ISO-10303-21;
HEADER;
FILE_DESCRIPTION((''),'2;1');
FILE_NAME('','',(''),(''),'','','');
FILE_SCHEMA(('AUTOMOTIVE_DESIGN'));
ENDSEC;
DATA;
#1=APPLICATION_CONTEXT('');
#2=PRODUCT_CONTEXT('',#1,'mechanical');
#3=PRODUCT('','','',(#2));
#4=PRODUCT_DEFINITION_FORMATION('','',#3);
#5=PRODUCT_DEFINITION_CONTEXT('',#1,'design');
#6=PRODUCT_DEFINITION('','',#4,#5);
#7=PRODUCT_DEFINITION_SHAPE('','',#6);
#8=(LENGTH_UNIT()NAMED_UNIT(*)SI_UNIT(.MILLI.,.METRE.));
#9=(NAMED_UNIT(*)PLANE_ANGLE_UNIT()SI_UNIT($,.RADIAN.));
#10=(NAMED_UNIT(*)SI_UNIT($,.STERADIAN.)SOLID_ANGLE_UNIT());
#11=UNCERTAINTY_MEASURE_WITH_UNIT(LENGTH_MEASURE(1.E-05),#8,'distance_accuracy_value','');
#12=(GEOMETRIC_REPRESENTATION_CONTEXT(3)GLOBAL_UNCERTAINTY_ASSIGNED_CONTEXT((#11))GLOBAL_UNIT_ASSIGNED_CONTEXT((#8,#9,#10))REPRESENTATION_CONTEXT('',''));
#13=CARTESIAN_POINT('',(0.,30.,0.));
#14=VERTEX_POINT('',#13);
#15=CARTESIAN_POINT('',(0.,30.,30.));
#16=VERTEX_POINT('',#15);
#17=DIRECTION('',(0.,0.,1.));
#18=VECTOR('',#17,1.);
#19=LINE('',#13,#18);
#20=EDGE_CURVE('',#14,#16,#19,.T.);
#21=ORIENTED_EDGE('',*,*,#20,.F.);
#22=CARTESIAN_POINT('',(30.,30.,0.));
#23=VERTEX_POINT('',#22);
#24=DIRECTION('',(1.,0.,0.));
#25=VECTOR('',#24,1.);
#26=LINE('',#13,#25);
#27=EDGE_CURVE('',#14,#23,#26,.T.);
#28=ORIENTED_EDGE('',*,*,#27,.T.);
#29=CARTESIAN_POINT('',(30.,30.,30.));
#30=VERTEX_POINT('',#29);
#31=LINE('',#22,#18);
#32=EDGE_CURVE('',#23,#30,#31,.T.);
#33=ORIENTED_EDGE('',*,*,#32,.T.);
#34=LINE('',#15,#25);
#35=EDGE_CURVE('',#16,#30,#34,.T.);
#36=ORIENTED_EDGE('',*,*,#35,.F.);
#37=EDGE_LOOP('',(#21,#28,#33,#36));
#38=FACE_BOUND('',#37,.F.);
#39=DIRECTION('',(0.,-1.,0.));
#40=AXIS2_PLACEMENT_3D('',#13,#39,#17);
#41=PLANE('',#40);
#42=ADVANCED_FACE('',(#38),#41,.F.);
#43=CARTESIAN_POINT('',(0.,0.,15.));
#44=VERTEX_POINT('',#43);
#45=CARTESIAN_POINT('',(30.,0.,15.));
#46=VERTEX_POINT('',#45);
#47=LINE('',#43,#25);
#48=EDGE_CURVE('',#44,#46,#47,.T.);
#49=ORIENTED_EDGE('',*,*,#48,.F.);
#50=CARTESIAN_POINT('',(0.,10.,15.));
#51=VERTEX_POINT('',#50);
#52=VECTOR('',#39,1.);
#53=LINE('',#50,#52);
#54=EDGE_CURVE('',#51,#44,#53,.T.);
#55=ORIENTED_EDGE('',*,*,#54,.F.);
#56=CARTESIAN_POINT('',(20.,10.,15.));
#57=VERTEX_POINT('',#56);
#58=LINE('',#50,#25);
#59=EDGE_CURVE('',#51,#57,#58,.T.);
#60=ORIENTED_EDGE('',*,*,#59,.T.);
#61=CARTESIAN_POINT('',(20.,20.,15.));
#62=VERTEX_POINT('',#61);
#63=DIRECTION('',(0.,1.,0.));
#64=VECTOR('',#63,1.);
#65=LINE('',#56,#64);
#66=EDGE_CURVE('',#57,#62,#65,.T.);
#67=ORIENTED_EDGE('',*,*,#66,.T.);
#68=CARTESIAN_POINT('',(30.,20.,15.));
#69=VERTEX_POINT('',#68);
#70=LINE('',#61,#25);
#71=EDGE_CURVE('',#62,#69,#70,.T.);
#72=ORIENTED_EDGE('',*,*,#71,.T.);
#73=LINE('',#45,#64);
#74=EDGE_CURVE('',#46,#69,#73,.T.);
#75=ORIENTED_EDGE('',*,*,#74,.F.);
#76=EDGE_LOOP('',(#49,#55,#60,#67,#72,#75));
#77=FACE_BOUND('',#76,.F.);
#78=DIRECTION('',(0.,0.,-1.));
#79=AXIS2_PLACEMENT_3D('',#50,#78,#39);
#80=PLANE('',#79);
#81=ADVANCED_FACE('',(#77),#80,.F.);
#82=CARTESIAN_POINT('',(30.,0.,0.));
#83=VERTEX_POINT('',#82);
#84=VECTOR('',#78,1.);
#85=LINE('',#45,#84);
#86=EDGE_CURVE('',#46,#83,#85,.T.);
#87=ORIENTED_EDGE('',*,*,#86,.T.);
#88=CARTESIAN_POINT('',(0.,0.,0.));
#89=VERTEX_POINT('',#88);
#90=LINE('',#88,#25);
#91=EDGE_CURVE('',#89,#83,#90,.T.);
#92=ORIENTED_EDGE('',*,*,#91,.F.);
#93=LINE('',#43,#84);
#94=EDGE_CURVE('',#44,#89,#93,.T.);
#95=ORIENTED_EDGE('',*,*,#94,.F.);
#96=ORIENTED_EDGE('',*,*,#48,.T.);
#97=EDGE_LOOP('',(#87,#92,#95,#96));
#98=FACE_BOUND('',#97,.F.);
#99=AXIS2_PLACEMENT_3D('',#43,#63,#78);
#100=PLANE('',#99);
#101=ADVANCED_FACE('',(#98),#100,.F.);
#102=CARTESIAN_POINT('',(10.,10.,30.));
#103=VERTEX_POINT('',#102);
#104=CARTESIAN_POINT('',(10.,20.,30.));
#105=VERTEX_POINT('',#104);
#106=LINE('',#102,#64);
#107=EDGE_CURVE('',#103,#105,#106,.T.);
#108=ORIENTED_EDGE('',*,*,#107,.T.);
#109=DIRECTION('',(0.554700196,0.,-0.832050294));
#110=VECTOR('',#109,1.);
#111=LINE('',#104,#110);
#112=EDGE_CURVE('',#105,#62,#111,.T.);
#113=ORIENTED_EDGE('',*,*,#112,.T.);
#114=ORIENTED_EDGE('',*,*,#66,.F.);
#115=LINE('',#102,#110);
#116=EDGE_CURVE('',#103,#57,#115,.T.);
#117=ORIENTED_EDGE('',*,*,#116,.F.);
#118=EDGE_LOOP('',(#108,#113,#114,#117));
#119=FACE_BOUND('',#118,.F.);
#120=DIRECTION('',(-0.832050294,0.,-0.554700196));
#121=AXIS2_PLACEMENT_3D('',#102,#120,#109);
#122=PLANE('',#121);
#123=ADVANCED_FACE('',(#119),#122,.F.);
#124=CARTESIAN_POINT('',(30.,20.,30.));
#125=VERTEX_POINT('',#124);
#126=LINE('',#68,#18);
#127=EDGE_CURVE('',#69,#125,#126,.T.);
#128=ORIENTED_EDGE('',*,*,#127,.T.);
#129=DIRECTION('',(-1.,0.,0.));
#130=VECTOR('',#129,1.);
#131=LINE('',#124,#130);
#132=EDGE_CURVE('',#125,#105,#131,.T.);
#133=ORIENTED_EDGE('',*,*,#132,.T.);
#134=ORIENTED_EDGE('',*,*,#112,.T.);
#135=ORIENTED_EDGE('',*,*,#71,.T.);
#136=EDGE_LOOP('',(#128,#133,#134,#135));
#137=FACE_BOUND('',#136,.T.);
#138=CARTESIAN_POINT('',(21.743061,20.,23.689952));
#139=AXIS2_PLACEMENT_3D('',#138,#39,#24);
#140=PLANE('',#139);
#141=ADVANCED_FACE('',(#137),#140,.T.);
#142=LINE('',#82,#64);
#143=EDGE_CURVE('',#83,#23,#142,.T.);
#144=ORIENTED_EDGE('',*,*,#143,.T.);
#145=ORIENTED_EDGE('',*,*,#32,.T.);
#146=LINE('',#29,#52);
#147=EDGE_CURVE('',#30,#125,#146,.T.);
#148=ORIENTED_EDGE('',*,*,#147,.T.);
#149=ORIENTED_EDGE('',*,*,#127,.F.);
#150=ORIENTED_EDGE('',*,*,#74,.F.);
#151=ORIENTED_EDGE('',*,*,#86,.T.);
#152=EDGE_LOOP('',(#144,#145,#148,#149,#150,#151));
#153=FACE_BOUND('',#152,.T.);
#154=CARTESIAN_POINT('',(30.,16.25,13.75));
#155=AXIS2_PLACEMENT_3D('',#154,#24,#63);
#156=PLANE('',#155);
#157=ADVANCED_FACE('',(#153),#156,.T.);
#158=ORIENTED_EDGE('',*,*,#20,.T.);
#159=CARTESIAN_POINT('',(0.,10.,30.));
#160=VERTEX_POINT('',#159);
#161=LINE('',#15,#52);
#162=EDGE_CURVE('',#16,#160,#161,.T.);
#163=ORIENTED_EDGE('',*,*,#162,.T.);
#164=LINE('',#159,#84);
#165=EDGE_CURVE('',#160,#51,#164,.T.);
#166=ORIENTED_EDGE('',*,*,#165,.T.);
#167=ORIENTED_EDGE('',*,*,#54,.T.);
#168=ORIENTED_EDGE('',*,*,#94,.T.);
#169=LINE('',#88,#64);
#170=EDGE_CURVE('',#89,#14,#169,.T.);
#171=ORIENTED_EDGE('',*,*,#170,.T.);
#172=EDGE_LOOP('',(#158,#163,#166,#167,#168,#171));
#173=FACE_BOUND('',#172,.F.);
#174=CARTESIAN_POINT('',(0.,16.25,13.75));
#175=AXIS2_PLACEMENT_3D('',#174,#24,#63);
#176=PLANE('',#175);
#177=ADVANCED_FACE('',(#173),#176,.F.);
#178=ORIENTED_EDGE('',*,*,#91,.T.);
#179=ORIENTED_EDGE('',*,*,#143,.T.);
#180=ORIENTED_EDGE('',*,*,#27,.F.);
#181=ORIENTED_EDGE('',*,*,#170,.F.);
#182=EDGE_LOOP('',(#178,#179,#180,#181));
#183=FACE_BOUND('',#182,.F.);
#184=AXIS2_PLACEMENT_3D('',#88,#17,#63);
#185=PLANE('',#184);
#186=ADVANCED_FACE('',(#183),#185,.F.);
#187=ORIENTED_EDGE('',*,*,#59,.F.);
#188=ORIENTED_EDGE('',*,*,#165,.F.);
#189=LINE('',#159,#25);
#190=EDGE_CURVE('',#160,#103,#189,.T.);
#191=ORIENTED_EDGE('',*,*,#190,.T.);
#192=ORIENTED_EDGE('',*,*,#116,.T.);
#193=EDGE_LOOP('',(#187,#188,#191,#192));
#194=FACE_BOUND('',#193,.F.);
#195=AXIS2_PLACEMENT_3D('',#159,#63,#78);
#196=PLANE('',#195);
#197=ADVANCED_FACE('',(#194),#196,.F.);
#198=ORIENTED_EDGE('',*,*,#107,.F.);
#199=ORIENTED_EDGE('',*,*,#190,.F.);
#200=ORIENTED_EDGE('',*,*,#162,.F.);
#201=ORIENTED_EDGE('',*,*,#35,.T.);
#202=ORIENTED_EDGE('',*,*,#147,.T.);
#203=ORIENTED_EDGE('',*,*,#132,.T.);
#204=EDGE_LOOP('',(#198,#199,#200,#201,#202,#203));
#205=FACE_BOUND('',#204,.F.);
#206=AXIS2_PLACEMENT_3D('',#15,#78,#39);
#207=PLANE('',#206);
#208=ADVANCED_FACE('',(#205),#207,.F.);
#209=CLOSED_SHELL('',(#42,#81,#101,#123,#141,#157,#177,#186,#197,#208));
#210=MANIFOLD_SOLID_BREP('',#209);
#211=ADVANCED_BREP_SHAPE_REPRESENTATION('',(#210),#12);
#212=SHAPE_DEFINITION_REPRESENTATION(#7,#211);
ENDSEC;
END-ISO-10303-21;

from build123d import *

# Parameters (mm, degrees)
F1_DEPTH = 30
F3_DEPTH = 10


with BuildPart() as f1:
    # F0 (on Right) → F1 (new body)
    with BuildSketch(Plane.YZ):
        Polygon((0, 15), (0, 0), (30, 0), (30, 30), (10, 30), (10, 15), align=None)
    extrude(amount=F1_DEPTH)

    # F2 (on face) → F3 (cut)
    with BuildSketch(Plane.XZ.offset(-10)):
        Polygon((30, 15), (30, 30), (10, 30), (20, 15), align=None)
    extrude(amount=-F3_DEPTH, mode=Mode.SUBTRACT)


solid = f1.part
